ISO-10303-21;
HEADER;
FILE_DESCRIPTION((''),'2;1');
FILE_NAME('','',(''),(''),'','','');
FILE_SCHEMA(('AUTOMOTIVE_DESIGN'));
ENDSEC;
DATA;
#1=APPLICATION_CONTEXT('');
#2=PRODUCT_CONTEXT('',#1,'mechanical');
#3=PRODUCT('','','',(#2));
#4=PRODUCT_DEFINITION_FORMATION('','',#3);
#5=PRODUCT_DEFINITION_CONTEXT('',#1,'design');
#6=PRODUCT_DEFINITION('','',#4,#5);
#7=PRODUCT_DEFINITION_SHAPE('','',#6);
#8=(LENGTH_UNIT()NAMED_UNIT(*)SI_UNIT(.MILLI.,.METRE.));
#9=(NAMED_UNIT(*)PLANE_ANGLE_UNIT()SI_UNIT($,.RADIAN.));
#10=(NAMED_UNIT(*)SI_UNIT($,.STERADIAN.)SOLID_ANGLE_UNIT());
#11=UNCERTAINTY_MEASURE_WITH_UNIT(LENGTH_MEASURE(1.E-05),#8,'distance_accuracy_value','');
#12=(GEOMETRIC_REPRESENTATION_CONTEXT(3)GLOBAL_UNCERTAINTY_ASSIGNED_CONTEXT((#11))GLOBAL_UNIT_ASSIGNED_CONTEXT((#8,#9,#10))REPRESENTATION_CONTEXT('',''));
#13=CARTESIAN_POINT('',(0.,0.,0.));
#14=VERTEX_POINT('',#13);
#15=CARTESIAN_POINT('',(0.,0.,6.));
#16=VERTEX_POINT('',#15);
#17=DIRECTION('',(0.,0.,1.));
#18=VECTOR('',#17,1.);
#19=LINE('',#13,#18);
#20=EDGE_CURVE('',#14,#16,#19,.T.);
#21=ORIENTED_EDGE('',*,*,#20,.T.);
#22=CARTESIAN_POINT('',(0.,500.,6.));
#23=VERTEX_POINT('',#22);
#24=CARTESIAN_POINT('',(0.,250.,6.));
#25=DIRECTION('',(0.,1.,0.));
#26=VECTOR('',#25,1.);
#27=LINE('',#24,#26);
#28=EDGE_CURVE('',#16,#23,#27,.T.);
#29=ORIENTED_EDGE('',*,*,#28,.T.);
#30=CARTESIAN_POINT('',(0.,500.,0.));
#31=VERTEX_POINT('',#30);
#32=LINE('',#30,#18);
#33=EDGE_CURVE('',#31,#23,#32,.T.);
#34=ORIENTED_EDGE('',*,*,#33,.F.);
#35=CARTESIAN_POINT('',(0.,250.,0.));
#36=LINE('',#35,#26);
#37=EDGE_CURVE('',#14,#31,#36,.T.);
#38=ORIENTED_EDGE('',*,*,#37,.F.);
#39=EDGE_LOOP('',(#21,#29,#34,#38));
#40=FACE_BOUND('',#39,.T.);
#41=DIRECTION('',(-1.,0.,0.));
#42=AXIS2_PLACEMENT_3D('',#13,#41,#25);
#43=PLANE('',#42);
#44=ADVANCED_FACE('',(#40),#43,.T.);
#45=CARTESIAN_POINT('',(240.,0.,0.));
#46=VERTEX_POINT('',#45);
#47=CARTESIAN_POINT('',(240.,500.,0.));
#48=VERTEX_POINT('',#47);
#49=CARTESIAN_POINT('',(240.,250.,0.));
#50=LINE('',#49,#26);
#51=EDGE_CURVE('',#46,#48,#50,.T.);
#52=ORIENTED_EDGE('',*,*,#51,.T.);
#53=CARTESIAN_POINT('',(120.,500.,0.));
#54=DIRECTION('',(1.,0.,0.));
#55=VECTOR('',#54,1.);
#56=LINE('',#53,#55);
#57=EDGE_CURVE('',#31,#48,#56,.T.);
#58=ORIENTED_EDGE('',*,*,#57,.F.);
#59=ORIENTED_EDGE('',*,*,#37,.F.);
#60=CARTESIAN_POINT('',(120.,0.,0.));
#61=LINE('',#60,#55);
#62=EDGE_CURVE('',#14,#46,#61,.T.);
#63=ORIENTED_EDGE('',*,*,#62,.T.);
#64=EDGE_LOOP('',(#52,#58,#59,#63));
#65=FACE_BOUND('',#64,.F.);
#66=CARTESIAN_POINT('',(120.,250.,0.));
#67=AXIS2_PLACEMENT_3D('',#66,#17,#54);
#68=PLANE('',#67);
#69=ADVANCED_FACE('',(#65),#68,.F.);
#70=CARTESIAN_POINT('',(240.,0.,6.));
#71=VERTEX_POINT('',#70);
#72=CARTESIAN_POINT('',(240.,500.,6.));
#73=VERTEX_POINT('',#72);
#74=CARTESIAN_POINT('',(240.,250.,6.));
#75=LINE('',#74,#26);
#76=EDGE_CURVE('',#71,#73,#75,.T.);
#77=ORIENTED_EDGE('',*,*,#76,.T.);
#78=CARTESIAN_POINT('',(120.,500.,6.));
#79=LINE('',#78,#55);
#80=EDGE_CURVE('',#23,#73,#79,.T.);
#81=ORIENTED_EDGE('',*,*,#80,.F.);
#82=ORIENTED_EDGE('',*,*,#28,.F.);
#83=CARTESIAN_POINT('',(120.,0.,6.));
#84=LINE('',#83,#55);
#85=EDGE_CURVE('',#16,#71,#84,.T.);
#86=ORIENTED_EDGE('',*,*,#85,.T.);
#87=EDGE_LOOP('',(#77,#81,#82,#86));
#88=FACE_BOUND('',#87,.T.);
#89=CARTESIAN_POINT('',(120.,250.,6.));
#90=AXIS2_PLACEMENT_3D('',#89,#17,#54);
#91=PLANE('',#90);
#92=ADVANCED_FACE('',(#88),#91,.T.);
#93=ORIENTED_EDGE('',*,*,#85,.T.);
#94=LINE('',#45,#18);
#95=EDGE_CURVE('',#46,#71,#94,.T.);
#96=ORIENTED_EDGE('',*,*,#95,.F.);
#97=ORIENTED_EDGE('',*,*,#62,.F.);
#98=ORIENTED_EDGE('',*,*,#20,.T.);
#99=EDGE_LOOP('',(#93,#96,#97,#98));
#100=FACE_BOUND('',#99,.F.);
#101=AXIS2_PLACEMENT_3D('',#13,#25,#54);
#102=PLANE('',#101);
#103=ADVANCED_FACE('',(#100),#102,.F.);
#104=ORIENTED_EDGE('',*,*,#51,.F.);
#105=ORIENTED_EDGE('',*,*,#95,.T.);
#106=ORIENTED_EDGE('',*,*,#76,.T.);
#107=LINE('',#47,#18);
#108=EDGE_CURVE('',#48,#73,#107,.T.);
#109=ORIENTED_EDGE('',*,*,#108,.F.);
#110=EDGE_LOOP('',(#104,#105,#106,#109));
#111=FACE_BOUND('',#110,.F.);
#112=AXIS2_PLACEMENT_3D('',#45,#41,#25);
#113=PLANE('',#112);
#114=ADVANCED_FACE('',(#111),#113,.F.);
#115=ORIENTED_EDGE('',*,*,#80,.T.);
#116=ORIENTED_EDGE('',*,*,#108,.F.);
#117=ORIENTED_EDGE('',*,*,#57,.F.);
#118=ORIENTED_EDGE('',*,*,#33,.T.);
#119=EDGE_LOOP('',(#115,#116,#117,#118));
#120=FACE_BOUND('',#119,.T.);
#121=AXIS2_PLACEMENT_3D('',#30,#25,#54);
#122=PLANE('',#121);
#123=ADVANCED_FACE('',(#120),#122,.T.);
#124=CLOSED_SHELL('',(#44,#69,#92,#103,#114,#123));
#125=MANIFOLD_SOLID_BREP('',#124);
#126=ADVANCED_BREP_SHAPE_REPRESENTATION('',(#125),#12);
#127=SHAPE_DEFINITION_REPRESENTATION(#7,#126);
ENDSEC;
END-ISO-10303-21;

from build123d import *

# Parameters (mm, degrees)
SKETCH_W  = 240
SKETCH_H  = 500
PAD_DEPTH = 6


with BuildPart() as part:
    # Sketch → Pad (new body)
    with BuildSketch(Plane.XY):
        with Locations((120, 250)):
            Rectangle(SKETCH_W, SKETCH_H)
    extrude(amount=PAD_DEPTH)


solid = part.part
